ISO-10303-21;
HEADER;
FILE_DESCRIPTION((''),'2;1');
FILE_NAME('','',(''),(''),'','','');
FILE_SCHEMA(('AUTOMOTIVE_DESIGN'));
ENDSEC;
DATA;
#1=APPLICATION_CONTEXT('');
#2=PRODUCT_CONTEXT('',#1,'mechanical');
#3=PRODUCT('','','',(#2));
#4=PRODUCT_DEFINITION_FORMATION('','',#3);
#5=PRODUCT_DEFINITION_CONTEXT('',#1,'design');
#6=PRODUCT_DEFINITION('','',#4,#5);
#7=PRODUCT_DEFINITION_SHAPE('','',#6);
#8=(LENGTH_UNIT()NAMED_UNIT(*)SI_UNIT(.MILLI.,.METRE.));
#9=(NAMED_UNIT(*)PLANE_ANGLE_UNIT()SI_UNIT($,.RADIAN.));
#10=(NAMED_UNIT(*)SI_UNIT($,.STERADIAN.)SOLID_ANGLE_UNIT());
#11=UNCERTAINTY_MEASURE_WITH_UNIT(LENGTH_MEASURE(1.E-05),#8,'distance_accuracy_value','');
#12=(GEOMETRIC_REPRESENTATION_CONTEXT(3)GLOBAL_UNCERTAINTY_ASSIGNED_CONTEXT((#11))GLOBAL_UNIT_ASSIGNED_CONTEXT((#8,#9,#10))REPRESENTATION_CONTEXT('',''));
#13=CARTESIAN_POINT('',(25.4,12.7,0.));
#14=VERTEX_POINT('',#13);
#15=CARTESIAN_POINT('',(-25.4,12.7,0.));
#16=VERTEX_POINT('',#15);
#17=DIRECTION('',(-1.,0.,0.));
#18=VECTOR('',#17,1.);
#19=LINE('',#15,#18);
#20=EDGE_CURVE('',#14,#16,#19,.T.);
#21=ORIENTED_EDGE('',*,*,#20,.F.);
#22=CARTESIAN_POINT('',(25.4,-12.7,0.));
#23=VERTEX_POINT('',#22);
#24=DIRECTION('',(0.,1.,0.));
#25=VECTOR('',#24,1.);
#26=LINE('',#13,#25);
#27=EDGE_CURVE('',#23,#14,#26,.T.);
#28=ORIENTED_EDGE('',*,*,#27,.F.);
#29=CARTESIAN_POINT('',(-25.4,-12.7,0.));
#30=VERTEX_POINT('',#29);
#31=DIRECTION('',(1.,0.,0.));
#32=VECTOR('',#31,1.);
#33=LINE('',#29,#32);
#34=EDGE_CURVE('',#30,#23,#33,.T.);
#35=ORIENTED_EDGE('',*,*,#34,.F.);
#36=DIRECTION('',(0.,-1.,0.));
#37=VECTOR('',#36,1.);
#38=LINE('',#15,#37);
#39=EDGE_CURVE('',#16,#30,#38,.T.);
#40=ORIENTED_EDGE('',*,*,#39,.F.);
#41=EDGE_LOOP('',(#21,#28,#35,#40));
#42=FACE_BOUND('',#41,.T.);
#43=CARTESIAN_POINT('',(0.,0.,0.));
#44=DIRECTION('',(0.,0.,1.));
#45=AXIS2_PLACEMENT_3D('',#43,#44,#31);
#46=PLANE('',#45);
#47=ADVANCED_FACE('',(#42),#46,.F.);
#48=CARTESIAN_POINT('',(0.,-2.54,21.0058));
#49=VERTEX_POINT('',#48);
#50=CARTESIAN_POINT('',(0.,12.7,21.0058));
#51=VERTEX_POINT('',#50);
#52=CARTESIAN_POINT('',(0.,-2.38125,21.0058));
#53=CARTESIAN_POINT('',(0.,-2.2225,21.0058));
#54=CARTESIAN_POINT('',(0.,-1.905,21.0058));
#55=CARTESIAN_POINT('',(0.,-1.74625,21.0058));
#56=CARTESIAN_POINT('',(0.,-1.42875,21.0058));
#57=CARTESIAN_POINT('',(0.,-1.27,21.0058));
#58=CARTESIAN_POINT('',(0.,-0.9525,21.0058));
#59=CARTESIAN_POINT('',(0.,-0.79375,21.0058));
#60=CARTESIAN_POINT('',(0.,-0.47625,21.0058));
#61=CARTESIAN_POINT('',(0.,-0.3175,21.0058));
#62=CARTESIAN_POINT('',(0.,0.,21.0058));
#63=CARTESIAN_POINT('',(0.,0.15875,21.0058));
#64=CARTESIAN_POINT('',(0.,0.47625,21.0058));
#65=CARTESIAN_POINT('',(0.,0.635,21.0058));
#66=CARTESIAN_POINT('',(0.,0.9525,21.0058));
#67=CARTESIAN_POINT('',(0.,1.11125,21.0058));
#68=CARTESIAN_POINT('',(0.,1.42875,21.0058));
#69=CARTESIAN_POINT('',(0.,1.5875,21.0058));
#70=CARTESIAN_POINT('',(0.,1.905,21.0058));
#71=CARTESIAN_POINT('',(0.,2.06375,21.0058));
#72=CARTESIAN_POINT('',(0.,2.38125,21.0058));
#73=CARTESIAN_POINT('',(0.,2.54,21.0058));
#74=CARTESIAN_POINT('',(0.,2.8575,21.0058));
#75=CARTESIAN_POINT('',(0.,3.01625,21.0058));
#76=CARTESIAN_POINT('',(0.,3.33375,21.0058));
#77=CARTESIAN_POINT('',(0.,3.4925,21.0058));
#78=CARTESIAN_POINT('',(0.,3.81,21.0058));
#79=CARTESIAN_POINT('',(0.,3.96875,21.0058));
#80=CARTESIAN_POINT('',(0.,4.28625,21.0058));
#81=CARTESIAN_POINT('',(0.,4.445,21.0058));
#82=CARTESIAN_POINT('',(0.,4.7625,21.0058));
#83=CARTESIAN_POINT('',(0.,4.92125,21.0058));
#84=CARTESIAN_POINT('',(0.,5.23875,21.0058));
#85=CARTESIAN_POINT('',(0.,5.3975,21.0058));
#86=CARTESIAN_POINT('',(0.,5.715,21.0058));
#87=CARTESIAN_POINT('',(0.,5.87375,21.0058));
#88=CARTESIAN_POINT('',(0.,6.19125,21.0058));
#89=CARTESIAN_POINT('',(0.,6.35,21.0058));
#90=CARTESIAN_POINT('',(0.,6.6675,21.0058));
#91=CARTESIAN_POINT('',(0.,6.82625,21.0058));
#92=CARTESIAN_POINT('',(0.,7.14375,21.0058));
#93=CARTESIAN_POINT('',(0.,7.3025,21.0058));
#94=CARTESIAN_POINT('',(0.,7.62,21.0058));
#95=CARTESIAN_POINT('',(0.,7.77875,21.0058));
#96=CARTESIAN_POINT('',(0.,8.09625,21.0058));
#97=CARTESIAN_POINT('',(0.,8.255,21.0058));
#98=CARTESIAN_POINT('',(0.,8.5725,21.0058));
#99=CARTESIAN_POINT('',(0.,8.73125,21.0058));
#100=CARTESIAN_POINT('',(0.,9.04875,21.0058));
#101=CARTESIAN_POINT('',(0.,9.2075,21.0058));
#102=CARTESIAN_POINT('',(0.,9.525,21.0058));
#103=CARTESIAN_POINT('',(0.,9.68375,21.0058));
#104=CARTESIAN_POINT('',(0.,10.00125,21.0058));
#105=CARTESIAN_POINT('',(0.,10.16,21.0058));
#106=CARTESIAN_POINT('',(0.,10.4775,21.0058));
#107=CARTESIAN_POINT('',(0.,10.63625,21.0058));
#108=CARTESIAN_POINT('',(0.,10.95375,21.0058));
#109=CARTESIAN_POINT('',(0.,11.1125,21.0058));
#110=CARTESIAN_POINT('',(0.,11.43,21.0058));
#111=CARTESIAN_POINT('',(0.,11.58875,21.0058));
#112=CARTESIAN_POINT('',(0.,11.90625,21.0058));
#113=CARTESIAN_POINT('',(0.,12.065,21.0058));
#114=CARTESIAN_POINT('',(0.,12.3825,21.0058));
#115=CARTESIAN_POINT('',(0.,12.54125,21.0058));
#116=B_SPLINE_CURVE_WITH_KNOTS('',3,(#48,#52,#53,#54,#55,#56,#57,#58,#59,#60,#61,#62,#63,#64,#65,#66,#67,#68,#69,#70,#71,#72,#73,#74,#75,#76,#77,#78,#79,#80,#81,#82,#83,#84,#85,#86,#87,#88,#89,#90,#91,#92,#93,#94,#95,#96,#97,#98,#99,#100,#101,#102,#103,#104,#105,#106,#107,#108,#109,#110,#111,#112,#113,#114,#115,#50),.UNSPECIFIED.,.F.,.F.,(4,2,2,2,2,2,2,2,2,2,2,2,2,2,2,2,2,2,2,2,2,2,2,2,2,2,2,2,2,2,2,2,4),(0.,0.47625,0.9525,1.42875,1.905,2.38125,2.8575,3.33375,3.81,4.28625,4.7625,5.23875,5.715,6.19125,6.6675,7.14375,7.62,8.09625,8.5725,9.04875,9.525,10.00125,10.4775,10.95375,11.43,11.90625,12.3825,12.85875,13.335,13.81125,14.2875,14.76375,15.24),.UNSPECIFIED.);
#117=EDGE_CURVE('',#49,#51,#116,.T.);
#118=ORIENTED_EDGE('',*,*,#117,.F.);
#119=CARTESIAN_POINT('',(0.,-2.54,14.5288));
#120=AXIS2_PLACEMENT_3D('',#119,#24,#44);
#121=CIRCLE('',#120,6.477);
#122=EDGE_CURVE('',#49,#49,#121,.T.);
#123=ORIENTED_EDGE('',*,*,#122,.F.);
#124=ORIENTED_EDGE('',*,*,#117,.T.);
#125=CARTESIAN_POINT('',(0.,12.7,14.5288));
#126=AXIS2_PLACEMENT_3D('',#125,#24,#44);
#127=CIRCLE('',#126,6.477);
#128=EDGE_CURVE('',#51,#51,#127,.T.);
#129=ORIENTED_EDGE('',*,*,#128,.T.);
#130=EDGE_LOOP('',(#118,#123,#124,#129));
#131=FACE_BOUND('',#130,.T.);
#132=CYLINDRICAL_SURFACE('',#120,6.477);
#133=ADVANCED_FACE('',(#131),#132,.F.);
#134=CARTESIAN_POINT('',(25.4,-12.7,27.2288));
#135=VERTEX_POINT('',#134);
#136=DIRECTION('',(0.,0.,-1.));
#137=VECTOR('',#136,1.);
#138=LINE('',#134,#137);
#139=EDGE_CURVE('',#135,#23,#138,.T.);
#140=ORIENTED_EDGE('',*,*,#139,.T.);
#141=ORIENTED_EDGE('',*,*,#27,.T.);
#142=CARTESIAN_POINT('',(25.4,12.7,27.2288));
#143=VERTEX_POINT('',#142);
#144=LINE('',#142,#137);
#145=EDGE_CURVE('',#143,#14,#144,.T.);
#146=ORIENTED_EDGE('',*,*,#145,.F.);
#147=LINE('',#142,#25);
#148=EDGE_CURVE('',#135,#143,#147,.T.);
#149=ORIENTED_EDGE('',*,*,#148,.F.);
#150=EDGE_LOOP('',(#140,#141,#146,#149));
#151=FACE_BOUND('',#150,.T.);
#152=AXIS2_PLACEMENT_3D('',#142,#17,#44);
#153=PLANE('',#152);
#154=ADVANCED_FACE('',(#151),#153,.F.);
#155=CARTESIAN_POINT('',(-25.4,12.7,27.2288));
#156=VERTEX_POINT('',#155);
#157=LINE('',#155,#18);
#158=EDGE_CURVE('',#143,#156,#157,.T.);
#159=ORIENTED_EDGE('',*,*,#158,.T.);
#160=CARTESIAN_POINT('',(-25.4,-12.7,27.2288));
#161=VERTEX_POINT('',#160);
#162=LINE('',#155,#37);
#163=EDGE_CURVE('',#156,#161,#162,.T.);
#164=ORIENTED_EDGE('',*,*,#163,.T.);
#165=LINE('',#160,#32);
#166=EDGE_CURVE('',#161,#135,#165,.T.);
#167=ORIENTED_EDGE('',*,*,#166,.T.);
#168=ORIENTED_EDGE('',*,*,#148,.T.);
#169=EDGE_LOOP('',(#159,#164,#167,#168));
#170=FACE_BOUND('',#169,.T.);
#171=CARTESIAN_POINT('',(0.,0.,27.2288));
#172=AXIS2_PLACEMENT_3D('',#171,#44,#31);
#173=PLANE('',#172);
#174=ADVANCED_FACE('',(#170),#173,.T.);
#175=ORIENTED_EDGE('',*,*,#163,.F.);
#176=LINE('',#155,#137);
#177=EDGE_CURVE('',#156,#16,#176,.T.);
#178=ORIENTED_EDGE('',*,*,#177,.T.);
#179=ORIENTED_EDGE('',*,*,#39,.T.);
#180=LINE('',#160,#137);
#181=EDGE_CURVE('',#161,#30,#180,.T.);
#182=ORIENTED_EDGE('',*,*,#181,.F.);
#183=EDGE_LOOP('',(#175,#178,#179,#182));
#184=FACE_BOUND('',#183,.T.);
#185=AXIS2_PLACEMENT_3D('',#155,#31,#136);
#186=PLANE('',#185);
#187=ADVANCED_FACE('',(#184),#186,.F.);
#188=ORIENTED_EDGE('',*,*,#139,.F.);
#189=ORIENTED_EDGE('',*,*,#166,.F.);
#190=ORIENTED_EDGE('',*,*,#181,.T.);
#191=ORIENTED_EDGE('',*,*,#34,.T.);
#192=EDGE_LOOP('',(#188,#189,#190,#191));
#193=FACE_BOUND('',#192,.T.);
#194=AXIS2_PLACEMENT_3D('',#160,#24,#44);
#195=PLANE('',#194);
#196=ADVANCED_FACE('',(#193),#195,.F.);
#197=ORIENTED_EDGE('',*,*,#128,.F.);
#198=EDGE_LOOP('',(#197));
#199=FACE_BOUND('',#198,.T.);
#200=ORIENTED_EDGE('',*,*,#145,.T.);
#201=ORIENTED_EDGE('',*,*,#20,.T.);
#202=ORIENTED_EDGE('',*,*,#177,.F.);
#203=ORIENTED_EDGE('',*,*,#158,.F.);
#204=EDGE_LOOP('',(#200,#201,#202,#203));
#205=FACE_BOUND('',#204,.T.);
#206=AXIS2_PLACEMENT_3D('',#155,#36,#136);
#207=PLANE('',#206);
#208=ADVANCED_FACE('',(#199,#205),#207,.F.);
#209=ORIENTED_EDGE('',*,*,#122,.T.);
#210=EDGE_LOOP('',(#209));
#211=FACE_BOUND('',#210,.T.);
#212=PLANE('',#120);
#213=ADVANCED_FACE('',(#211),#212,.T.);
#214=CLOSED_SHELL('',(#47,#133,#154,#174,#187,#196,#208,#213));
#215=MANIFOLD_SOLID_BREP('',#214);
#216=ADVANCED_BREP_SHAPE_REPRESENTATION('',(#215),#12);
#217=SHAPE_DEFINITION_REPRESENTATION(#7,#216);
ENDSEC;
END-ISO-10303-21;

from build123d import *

# Parameters (mm, degrees)
SKETCH1_W           = 50.8
SKETCH1_H           = 25.4
BOSS_EXTRUDE1_DEPTH = 27.2288
SKETCH2_R           = 6.477
CUT_EXTRUDE1_DEPTH  = 15.24


with BuildPart() as part:
    # Sketch1 → Boss-Extrude1 (new body)
    with BuildSketch(Plane.XY):
        Rectangle(SKETCH1_W, SKETCH1_H)
    extrude(amount=BOSS_EXTRUDE1_DEPTH)

    # Sketch2 → Cut-Extrude1 (cut)
    with BuildSketch(Plane(origin=(0, 12.7, 0), x_dir=(1, 0, 0), z_dir=(0, 1, 0))):
        with Locations(Location((0, -14.5288, 0), (0, 0, 270))):
            Circle(SKETCH2_R)
    extrude(amount=-CUT_EXTRUDE1_DEPTH, mode=Mode.SUBTRACT)


solid = part.part
